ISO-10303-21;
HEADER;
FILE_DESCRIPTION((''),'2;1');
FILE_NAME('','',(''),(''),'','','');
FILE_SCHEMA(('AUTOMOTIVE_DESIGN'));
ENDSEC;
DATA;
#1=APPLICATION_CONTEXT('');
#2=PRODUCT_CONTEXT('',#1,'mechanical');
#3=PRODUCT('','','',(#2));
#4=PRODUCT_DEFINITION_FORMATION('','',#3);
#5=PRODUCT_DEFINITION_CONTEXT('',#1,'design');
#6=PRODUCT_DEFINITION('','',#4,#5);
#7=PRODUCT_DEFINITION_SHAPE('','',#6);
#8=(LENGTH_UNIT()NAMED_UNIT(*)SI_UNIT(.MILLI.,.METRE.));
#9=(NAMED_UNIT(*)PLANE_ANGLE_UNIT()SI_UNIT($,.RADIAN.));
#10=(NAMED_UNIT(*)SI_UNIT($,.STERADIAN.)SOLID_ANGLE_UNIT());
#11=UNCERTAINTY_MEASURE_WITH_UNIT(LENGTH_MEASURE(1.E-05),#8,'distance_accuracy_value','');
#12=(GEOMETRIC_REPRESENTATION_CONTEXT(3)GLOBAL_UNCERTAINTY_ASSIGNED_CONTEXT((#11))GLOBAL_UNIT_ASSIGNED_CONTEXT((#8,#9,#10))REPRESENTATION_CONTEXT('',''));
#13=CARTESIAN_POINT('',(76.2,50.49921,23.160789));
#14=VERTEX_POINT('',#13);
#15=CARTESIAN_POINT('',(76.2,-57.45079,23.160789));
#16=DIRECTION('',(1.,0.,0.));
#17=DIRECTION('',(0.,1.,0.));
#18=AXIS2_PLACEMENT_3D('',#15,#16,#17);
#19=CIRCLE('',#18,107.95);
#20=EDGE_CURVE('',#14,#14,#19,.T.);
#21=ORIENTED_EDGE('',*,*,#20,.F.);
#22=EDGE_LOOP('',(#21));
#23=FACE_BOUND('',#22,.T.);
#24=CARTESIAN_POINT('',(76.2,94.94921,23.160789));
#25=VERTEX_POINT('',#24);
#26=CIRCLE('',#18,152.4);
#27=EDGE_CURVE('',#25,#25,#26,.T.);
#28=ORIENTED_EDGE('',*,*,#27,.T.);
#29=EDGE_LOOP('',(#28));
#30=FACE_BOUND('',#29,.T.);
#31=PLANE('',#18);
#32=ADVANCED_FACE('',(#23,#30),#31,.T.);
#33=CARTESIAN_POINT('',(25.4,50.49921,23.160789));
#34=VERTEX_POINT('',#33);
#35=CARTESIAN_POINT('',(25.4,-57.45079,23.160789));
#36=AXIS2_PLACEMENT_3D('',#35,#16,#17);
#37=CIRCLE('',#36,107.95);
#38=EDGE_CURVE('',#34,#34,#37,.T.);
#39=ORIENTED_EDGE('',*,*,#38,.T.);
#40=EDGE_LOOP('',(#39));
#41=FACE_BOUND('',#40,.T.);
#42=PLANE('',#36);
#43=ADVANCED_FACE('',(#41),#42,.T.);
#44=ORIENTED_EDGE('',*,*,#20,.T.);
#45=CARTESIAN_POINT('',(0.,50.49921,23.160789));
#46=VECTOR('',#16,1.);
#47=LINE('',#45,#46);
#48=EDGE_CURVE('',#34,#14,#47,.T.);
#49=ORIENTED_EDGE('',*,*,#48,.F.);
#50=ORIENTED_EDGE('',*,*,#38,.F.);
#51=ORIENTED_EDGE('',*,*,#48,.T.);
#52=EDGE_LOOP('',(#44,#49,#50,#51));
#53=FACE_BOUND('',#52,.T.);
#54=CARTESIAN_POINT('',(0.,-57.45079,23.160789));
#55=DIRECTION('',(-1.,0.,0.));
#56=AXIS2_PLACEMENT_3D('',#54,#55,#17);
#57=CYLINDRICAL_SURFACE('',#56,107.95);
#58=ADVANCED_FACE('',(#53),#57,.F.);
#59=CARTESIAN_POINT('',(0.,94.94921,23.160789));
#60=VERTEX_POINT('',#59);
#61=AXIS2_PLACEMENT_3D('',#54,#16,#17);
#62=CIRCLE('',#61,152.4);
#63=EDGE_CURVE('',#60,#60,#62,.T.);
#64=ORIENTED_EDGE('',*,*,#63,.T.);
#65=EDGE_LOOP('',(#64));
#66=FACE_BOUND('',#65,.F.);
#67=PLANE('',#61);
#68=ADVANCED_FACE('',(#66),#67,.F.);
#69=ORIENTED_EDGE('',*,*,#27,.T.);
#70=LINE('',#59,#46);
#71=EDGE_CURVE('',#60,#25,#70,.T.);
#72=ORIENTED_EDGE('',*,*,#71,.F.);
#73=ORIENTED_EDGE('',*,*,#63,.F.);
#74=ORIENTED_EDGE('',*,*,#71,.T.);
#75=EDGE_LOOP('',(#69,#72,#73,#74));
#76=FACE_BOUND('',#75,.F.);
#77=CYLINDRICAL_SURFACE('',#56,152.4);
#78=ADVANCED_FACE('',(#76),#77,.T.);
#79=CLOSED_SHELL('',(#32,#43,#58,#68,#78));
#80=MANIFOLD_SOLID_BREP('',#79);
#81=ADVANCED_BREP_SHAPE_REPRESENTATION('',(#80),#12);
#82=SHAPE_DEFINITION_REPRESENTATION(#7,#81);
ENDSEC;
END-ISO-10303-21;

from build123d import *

# Parameters (mm, degrees)
F0_R     = 152.4
F0_R_2   = 107.95
F1_DEPTH = 76.2
F3_DEPTH = 25.4


with BuildPart() as f1:
    # F0 (on Right) → F1 (new body)
    with BuildSketch(Plane.YZ):
        with Locations((-57.45079, 23.160789)):
            Circle(F0_R)
        with Locations((-57.45079, 23.160789)):
            Circle(F0_R_2, mode=Mode.SUBTRACT)
    extrude(amount=F1_DEPTH)

    # F0 (on Right) → F3 (join)
    with BuildSketch(Plane.YZ):
        with Locations((-57.45079, 23.160789)):
            Circle(F0_R_2)
    extrude(amount=F3_DEPTH)


solid = f1.part
